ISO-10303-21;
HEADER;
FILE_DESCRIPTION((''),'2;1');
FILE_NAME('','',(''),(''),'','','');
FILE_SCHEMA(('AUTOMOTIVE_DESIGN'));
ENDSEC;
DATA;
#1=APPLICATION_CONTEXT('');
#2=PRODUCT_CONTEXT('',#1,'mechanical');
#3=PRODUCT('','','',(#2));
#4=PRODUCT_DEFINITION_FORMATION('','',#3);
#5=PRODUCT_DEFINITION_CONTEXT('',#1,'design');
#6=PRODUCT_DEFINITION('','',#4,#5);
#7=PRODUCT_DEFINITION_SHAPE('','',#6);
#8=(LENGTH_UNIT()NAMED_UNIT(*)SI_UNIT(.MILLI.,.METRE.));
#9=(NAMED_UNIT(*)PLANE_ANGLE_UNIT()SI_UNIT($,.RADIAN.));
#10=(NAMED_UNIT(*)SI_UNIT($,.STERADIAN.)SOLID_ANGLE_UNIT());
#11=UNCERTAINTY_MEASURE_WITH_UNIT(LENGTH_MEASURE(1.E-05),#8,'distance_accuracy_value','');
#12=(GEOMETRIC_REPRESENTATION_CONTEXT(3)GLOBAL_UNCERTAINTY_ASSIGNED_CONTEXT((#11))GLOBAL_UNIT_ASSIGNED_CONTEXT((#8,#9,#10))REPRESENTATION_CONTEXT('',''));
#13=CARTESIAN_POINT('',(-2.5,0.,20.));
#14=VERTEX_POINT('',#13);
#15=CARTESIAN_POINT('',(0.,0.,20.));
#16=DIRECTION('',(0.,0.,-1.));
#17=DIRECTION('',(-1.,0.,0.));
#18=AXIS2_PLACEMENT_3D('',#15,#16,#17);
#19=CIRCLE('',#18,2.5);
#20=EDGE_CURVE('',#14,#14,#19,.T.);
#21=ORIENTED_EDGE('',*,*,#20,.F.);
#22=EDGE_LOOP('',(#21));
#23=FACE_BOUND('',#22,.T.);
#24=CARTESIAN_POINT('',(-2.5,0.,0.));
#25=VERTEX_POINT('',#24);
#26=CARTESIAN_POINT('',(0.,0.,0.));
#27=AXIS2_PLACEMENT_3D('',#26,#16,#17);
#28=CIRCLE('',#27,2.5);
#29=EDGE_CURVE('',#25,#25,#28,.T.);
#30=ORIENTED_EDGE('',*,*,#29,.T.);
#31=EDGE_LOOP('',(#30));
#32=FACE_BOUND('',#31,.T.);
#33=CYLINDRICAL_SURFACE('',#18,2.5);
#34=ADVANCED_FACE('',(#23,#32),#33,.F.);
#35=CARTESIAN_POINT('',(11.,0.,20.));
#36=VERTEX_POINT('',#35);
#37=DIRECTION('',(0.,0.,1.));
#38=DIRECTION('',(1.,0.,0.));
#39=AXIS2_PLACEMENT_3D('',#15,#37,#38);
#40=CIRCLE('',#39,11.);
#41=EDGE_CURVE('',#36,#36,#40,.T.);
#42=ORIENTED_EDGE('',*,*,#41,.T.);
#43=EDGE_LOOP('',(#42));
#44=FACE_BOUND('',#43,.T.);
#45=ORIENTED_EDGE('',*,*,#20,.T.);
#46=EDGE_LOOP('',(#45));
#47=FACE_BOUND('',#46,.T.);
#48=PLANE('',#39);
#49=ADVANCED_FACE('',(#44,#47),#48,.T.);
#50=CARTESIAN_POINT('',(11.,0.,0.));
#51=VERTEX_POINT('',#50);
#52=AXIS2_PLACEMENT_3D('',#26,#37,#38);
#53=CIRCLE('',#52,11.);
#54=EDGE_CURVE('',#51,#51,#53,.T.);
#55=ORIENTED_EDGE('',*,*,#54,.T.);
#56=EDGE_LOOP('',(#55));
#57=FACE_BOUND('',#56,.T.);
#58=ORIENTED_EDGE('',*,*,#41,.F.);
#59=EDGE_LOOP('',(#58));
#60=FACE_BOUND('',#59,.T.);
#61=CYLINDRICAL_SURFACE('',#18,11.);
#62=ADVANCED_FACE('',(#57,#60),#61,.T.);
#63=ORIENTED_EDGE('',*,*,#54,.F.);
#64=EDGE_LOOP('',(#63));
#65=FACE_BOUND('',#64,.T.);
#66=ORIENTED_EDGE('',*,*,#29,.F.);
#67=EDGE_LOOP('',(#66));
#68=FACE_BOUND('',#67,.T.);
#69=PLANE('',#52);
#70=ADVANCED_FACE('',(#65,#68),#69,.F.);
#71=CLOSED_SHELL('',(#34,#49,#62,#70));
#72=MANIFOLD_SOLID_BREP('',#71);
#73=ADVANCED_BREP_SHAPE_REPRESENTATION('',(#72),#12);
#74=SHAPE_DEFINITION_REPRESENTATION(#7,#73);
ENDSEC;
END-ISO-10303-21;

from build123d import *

# Parameters (mm, degrees)
SKETCH_1_R          = 11
EXTRUDE_1_DEPTH     = 20
SKETCH_3_R          = 2.5
CUT_EXTRUDE_2_DEPTH = 26.337718919


with BuildPart() as part:
    # 草图1 → 凸台-拉伸1 (new body)
    with BuildSketch(Plane.XY):
        Circle(SKETCH_1_R)
    extrude(amount=EXTRUDE_1_DEPTH)

    # 草图3 → 切除-拉伸2 (cut, through all)
    with BuildSketch(Plane(origin=(0, 0, 0), x_dir=(-1, 0, 0), z_dir=(0, 0, -1))):
        Circle(SKETCH_3_R)
    extrude(amount=-CUT_EXTRUDE_2_DEPTH, mode=Mode.SUBTRACT)


solid = part.part
